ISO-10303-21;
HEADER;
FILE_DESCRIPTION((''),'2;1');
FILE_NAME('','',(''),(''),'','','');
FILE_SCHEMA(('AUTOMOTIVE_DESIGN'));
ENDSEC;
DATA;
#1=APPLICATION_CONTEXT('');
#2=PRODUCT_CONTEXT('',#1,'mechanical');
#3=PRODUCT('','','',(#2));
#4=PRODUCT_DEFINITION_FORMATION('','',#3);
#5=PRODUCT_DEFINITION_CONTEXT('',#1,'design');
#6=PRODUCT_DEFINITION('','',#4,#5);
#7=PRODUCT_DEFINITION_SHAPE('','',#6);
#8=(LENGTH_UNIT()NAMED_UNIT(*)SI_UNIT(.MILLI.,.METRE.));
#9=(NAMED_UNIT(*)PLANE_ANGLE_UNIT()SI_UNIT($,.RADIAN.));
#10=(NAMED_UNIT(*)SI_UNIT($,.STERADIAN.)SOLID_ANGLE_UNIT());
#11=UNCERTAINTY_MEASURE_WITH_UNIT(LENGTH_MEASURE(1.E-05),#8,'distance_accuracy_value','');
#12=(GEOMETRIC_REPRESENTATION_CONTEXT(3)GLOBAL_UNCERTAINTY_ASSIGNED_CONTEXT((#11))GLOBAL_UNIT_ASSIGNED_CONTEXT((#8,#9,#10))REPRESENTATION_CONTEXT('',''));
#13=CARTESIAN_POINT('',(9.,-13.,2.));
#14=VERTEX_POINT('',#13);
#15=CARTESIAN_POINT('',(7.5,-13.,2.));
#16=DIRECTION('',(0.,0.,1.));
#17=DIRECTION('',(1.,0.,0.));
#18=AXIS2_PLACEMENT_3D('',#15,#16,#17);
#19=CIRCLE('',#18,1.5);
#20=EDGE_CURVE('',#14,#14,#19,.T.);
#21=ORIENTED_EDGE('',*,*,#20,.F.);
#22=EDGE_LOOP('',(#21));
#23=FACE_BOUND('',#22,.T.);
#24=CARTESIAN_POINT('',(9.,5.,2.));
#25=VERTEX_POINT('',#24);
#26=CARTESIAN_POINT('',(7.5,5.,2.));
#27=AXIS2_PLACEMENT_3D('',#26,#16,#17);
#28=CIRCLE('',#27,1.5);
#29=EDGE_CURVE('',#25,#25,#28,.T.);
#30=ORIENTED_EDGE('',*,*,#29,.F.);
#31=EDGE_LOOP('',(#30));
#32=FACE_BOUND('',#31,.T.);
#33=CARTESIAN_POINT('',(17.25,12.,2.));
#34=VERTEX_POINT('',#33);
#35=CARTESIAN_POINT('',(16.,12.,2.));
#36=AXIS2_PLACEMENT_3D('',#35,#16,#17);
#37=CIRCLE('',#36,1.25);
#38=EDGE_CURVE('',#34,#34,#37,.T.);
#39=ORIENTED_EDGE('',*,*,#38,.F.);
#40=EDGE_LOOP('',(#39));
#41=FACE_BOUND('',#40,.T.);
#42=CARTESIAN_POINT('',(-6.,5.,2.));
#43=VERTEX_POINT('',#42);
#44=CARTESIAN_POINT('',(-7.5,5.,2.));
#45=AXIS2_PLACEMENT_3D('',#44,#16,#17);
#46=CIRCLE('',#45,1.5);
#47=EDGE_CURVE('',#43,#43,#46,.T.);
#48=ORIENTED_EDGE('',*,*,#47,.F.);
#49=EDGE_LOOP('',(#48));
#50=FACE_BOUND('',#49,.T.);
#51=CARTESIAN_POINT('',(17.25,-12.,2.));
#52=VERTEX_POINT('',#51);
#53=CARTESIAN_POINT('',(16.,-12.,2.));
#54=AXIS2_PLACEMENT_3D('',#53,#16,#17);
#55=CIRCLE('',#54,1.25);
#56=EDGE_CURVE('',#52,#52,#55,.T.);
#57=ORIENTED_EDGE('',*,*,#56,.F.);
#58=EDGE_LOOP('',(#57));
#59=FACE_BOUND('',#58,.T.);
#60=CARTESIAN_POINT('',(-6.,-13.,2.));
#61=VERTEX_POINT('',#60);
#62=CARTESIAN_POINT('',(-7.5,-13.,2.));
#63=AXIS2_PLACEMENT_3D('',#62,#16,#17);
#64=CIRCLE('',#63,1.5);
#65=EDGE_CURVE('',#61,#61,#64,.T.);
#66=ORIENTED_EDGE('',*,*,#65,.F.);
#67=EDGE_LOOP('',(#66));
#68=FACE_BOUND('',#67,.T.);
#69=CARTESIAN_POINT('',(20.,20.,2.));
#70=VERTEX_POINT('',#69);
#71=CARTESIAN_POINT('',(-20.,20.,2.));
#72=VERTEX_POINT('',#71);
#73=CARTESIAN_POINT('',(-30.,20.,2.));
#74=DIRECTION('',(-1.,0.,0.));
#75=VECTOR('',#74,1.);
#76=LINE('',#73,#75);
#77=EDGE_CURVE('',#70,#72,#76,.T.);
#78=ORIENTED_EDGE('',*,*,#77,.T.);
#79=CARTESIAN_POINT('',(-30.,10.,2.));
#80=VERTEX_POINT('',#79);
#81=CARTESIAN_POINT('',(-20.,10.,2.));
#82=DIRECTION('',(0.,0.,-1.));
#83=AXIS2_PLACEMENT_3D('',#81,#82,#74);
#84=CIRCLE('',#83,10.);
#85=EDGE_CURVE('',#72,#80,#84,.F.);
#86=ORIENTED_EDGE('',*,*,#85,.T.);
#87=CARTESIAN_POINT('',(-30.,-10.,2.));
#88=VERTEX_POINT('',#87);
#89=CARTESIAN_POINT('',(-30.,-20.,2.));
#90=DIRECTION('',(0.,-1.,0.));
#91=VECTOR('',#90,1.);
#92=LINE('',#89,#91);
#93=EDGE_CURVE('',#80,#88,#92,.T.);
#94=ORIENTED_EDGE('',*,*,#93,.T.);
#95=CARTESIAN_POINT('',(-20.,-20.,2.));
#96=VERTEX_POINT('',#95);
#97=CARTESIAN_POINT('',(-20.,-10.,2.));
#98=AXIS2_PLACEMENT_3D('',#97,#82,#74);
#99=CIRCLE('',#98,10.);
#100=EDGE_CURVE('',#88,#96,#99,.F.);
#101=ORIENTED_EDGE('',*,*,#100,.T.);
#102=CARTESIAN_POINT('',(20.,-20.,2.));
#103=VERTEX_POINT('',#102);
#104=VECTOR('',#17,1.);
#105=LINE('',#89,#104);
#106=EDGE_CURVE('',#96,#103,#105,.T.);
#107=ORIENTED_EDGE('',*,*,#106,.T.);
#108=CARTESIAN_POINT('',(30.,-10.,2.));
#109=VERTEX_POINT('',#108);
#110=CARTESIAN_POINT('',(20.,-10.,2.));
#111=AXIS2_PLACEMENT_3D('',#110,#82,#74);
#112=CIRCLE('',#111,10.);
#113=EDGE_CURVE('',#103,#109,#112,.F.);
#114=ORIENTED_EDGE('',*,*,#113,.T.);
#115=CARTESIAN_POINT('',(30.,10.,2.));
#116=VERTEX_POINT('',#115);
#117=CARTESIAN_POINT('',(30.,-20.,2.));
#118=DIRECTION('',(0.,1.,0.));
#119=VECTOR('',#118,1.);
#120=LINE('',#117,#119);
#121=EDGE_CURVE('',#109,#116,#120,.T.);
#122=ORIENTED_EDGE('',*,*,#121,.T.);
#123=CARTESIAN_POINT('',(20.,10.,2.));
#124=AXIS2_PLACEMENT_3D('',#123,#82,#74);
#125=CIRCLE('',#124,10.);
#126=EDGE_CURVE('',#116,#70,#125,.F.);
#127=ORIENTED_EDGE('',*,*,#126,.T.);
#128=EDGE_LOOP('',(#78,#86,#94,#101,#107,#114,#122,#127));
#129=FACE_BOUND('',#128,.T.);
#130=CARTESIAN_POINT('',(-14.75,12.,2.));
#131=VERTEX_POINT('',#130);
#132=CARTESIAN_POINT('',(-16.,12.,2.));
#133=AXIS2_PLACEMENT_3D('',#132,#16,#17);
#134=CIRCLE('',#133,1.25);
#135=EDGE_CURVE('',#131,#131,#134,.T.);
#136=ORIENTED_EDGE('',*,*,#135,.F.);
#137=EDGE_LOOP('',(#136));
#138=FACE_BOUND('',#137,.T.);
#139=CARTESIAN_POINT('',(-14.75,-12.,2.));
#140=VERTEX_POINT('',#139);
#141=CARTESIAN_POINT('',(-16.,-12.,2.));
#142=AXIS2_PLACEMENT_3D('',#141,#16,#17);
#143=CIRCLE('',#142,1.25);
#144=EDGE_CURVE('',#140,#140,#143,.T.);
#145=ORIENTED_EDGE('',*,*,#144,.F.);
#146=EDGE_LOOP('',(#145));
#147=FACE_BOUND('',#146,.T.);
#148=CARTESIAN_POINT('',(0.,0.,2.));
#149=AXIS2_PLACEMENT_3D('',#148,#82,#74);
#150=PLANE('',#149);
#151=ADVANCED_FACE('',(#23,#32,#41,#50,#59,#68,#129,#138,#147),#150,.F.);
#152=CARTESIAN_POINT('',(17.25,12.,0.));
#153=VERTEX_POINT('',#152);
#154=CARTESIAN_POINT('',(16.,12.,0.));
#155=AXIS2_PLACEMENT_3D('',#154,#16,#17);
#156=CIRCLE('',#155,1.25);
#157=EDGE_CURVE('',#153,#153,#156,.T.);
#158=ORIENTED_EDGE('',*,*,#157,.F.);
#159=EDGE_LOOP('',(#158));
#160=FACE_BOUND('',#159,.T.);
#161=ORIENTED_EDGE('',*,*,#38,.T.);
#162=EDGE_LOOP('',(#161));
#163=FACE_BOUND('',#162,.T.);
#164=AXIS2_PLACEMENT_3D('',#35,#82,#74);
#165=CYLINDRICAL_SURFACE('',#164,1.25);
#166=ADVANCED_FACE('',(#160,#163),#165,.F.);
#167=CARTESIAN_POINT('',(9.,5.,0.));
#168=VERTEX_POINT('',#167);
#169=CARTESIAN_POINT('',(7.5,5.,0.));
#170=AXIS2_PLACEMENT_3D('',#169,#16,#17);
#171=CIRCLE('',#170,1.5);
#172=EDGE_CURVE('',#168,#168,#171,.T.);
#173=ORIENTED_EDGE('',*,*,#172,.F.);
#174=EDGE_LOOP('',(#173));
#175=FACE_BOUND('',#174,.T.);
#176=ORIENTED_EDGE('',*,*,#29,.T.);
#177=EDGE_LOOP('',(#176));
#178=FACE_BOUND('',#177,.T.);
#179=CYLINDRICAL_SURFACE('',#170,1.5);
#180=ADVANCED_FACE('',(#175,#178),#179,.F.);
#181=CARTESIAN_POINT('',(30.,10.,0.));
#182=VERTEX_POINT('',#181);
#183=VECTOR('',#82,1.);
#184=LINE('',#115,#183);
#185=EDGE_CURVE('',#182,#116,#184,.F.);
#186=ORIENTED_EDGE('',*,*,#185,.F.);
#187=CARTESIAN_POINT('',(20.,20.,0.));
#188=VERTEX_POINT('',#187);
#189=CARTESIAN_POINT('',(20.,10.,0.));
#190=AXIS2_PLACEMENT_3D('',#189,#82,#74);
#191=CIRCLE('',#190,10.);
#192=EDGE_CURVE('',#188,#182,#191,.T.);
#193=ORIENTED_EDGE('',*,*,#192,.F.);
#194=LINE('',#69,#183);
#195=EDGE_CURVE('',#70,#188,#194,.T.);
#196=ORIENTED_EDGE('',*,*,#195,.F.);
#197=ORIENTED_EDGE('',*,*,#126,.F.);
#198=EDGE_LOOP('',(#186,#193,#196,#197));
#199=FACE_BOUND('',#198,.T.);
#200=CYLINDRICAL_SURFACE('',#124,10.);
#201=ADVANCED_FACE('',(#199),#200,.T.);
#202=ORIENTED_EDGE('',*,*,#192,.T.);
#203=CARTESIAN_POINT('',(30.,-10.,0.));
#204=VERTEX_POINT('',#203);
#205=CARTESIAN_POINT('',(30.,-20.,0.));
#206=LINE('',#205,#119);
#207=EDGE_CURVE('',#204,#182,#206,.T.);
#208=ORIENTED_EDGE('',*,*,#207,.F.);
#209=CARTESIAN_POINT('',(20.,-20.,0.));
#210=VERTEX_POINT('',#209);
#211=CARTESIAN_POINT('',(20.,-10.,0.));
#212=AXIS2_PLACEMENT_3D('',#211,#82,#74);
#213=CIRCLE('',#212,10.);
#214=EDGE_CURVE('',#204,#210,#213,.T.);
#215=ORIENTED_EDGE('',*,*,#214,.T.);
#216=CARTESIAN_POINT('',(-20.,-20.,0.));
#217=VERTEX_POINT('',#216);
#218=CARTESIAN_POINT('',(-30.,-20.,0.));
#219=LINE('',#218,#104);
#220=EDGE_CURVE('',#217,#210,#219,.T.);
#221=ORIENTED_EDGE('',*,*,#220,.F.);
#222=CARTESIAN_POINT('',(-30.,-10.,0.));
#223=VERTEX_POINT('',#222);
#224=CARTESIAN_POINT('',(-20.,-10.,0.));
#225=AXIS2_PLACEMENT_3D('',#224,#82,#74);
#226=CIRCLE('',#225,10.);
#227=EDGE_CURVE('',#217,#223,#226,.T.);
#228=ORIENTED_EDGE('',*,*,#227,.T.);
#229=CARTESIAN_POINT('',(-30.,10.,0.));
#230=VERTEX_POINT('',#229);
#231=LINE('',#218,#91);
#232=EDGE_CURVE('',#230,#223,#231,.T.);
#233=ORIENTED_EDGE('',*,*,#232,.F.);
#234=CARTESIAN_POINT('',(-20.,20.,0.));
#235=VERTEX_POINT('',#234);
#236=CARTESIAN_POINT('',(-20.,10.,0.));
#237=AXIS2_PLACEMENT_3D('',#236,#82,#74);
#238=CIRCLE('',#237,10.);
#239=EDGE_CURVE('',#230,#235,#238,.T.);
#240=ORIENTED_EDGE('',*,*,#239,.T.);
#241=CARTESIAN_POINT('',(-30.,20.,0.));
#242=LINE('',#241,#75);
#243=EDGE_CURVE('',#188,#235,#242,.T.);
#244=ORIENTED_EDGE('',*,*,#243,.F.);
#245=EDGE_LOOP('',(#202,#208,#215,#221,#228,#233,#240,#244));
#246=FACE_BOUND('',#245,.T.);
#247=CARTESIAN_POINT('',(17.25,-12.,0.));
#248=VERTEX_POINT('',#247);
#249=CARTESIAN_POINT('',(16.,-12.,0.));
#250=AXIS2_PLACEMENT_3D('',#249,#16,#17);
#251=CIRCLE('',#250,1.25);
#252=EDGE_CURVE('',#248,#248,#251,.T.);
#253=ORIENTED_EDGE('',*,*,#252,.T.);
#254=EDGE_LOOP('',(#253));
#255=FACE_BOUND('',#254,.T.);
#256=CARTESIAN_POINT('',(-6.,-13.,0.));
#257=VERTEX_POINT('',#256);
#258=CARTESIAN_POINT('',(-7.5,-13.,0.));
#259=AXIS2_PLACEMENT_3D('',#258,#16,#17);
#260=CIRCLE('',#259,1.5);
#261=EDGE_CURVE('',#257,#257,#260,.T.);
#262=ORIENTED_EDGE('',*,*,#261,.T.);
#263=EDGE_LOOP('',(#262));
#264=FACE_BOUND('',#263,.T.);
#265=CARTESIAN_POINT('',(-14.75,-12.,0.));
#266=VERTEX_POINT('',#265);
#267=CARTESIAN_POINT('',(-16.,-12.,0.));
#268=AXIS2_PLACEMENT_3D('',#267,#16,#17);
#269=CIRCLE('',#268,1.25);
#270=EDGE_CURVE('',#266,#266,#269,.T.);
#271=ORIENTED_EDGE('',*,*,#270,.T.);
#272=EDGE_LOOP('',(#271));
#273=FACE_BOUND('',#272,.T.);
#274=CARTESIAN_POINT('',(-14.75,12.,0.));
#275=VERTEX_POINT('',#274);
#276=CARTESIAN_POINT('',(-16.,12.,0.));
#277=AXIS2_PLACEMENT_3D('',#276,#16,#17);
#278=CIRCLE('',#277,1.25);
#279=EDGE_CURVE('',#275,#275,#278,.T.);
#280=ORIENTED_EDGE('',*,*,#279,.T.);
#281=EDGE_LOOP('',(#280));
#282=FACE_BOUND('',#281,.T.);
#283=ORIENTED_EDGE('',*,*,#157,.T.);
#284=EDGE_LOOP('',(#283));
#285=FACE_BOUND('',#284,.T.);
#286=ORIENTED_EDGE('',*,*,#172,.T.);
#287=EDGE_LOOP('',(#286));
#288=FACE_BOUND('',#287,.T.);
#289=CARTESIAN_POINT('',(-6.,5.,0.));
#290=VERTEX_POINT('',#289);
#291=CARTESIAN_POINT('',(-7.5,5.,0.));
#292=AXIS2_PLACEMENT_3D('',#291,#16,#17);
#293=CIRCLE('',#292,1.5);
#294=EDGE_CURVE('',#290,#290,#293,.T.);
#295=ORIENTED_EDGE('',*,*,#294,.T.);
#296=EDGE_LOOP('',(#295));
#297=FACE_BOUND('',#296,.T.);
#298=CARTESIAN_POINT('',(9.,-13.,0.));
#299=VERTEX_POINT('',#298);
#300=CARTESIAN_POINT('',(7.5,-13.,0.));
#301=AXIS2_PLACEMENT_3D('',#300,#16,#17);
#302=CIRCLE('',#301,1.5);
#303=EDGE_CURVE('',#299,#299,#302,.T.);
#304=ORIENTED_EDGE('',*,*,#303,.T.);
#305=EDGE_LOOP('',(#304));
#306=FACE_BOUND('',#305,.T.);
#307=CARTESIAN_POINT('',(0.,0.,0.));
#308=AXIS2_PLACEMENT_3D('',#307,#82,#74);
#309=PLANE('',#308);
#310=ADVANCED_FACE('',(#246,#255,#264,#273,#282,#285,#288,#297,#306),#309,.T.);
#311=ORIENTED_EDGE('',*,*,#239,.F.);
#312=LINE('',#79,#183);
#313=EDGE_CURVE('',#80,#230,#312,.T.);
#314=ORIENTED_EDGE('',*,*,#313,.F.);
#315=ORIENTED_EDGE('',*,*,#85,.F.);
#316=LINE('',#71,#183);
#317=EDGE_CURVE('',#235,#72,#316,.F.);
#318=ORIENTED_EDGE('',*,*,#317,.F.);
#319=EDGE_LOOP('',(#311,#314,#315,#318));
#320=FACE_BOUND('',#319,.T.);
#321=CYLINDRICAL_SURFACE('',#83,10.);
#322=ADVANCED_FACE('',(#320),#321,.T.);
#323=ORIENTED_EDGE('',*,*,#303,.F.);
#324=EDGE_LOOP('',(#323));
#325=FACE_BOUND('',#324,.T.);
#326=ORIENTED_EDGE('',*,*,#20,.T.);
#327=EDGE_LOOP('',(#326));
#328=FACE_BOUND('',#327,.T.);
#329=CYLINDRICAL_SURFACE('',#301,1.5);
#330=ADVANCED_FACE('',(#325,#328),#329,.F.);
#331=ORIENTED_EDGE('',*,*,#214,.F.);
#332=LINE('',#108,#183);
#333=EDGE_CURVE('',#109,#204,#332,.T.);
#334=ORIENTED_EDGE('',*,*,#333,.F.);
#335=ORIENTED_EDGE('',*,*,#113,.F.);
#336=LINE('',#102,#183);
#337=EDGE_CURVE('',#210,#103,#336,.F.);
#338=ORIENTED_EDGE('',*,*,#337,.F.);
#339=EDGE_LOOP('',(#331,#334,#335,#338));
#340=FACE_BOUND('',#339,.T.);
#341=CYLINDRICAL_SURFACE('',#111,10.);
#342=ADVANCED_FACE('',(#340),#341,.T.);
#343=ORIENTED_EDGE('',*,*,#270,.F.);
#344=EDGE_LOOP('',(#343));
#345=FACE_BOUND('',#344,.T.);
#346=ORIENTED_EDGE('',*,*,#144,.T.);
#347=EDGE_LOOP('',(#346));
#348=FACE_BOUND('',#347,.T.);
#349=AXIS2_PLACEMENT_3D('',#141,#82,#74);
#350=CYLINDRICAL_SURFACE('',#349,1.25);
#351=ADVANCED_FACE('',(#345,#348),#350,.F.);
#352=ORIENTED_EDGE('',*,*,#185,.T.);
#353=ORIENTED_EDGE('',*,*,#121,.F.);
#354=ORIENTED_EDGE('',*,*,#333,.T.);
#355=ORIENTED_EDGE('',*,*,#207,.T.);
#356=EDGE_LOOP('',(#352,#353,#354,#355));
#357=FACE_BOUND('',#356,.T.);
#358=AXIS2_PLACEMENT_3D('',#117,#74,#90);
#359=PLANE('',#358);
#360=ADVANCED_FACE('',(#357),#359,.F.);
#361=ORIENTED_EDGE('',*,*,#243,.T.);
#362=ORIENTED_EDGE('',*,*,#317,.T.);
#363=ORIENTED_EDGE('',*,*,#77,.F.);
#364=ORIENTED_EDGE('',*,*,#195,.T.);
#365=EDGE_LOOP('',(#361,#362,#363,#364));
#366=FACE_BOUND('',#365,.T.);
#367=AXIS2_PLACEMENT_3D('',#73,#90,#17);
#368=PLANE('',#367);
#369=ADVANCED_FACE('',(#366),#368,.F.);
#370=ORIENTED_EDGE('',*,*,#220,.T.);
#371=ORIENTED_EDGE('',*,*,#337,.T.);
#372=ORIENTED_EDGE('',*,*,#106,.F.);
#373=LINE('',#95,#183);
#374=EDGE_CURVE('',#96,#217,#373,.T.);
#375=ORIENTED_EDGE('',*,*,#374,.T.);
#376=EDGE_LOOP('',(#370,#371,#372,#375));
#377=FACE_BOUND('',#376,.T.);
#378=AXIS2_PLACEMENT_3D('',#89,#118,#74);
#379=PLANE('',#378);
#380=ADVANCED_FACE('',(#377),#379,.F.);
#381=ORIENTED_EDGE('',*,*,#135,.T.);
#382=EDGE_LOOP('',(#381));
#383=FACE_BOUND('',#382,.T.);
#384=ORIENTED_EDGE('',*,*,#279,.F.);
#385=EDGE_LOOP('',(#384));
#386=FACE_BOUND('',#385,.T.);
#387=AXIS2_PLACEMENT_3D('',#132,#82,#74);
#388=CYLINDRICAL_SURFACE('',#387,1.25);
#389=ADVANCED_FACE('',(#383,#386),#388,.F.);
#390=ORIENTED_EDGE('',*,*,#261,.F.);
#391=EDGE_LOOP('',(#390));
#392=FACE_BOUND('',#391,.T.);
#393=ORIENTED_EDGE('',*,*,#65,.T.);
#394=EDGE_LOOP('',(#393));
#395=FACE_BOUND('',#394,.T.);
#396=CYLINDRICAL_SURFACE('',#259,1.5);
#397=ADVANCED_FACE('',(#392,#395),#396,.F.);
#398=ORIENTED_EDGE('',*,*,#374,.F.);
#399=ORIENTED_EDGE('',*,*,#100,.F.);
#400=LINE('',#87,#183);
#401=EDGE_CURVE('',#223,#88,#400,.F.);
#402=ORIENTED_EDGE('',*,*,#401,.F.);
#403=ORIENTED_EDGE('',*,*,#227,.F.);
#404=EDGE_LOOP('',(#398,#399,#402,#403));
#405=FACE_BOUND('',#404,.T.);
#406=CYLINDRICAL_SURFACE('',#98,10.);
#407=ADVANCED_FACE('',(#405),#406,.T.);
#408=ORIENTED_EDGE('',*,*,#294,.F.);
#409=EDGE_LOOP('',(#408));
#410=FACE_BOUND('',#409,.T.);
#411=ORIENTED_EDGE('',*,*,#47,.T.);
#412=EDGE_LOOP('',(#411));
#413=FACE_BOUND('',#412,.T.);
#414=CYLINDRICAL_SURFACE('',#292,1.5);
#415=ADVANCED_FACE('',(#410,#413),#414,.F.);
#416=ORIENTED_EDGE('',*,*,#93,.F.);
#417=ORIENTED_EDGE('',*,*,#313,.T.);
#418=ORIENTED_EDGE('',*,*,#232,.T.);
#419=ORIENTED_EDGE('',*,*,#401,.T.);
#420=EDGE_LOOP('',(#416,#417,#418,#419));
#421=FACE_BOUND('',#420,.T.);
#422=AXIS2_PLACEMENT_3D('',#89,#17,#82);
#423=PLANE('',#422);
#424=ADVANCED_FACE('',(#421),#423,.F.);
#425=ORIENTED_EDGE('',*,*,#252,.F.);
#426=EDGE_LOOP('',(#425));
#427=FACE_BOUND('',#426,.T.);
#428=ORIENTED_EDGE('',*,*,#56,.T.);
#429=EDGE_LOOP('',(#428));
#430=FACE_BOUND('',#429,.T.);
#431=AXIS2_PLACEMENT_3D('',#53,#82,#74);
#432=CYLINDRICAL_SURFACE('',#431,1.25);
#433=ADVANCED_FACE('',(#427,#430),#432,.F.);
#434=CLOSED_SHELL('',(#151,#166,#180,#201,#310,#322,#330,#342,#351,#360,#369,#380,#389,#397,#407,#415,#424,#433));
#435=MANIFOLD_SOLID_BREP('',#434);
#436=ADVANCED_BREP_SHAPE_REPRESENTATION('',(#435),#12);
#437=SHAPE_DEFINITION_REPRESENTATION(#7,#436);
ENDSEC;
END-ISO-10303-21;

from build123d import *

# Parameters (mm, degrees)
SKETCH_1_W          = 60
SKETCH_1_H          = 40
SKETCH_1_R          = 1.25
EXTRUDE_1_DEPTH     = 2
FILLET_1_R          = 10
SKETCH_2_R          = 1.5
CUT_EXTRUDE_1_DEPTH = 2


with BuildPart() as part:
    # 草图1 → 凸台-拉伸1 (new body)
    with BuildSketch(Plane.XY):
        Rectangle(SKETCH_1_W, SKETCH_1_H)
        with Locations((-16, 12)):
            Circle(SKETCH_1_R, mode=Mode.SUBTRACT)
        with Locations((16, 12)):
            Circle(SKETCH_1_R, mode=Mode.SUBTRACT)
        with Locations((16, -12)):
            Circle(SKETCH_1_R, mode=Mode.SUBTRACT)
        with Locations((-16, -12)):
            Circle(SKETCH_1_R, mode=Mode.SUBTRACT)
    extrude(amount=EXTRUDE_1_DEPTH)

    # 圆角1
    fillet_1_edges = [part.edges().sort_by_distance(p)[0] for p in [
        (30, -20, 1),
        (-30, -20, 1),
        (-30, 20, 1),
        (30, 20, 1),
    ]]
    fillet(fillet_1_edges, radius=FILLET_1_R)

    # 草图2 → 切除-拉伸1 (cut)
    with BuildSketch(Plane.XY.offset(2)):
        with Locations((-7.5, 5)):
            Circle(SKETCH_2_R)
        with Locations((7.5, 5)):
            Circle(SKETCH_2_R)
        with Locations((7.5, -13)):
            Circle(SKETCH_2_R)
        with Locations((-7.5, -13)):
            Circle(SKETCH_2_R)
    extrude(amount=-CUT_EXTRUDE_1_DEPTH, mode=Mode.SUBTRACT)


solid = part.part
